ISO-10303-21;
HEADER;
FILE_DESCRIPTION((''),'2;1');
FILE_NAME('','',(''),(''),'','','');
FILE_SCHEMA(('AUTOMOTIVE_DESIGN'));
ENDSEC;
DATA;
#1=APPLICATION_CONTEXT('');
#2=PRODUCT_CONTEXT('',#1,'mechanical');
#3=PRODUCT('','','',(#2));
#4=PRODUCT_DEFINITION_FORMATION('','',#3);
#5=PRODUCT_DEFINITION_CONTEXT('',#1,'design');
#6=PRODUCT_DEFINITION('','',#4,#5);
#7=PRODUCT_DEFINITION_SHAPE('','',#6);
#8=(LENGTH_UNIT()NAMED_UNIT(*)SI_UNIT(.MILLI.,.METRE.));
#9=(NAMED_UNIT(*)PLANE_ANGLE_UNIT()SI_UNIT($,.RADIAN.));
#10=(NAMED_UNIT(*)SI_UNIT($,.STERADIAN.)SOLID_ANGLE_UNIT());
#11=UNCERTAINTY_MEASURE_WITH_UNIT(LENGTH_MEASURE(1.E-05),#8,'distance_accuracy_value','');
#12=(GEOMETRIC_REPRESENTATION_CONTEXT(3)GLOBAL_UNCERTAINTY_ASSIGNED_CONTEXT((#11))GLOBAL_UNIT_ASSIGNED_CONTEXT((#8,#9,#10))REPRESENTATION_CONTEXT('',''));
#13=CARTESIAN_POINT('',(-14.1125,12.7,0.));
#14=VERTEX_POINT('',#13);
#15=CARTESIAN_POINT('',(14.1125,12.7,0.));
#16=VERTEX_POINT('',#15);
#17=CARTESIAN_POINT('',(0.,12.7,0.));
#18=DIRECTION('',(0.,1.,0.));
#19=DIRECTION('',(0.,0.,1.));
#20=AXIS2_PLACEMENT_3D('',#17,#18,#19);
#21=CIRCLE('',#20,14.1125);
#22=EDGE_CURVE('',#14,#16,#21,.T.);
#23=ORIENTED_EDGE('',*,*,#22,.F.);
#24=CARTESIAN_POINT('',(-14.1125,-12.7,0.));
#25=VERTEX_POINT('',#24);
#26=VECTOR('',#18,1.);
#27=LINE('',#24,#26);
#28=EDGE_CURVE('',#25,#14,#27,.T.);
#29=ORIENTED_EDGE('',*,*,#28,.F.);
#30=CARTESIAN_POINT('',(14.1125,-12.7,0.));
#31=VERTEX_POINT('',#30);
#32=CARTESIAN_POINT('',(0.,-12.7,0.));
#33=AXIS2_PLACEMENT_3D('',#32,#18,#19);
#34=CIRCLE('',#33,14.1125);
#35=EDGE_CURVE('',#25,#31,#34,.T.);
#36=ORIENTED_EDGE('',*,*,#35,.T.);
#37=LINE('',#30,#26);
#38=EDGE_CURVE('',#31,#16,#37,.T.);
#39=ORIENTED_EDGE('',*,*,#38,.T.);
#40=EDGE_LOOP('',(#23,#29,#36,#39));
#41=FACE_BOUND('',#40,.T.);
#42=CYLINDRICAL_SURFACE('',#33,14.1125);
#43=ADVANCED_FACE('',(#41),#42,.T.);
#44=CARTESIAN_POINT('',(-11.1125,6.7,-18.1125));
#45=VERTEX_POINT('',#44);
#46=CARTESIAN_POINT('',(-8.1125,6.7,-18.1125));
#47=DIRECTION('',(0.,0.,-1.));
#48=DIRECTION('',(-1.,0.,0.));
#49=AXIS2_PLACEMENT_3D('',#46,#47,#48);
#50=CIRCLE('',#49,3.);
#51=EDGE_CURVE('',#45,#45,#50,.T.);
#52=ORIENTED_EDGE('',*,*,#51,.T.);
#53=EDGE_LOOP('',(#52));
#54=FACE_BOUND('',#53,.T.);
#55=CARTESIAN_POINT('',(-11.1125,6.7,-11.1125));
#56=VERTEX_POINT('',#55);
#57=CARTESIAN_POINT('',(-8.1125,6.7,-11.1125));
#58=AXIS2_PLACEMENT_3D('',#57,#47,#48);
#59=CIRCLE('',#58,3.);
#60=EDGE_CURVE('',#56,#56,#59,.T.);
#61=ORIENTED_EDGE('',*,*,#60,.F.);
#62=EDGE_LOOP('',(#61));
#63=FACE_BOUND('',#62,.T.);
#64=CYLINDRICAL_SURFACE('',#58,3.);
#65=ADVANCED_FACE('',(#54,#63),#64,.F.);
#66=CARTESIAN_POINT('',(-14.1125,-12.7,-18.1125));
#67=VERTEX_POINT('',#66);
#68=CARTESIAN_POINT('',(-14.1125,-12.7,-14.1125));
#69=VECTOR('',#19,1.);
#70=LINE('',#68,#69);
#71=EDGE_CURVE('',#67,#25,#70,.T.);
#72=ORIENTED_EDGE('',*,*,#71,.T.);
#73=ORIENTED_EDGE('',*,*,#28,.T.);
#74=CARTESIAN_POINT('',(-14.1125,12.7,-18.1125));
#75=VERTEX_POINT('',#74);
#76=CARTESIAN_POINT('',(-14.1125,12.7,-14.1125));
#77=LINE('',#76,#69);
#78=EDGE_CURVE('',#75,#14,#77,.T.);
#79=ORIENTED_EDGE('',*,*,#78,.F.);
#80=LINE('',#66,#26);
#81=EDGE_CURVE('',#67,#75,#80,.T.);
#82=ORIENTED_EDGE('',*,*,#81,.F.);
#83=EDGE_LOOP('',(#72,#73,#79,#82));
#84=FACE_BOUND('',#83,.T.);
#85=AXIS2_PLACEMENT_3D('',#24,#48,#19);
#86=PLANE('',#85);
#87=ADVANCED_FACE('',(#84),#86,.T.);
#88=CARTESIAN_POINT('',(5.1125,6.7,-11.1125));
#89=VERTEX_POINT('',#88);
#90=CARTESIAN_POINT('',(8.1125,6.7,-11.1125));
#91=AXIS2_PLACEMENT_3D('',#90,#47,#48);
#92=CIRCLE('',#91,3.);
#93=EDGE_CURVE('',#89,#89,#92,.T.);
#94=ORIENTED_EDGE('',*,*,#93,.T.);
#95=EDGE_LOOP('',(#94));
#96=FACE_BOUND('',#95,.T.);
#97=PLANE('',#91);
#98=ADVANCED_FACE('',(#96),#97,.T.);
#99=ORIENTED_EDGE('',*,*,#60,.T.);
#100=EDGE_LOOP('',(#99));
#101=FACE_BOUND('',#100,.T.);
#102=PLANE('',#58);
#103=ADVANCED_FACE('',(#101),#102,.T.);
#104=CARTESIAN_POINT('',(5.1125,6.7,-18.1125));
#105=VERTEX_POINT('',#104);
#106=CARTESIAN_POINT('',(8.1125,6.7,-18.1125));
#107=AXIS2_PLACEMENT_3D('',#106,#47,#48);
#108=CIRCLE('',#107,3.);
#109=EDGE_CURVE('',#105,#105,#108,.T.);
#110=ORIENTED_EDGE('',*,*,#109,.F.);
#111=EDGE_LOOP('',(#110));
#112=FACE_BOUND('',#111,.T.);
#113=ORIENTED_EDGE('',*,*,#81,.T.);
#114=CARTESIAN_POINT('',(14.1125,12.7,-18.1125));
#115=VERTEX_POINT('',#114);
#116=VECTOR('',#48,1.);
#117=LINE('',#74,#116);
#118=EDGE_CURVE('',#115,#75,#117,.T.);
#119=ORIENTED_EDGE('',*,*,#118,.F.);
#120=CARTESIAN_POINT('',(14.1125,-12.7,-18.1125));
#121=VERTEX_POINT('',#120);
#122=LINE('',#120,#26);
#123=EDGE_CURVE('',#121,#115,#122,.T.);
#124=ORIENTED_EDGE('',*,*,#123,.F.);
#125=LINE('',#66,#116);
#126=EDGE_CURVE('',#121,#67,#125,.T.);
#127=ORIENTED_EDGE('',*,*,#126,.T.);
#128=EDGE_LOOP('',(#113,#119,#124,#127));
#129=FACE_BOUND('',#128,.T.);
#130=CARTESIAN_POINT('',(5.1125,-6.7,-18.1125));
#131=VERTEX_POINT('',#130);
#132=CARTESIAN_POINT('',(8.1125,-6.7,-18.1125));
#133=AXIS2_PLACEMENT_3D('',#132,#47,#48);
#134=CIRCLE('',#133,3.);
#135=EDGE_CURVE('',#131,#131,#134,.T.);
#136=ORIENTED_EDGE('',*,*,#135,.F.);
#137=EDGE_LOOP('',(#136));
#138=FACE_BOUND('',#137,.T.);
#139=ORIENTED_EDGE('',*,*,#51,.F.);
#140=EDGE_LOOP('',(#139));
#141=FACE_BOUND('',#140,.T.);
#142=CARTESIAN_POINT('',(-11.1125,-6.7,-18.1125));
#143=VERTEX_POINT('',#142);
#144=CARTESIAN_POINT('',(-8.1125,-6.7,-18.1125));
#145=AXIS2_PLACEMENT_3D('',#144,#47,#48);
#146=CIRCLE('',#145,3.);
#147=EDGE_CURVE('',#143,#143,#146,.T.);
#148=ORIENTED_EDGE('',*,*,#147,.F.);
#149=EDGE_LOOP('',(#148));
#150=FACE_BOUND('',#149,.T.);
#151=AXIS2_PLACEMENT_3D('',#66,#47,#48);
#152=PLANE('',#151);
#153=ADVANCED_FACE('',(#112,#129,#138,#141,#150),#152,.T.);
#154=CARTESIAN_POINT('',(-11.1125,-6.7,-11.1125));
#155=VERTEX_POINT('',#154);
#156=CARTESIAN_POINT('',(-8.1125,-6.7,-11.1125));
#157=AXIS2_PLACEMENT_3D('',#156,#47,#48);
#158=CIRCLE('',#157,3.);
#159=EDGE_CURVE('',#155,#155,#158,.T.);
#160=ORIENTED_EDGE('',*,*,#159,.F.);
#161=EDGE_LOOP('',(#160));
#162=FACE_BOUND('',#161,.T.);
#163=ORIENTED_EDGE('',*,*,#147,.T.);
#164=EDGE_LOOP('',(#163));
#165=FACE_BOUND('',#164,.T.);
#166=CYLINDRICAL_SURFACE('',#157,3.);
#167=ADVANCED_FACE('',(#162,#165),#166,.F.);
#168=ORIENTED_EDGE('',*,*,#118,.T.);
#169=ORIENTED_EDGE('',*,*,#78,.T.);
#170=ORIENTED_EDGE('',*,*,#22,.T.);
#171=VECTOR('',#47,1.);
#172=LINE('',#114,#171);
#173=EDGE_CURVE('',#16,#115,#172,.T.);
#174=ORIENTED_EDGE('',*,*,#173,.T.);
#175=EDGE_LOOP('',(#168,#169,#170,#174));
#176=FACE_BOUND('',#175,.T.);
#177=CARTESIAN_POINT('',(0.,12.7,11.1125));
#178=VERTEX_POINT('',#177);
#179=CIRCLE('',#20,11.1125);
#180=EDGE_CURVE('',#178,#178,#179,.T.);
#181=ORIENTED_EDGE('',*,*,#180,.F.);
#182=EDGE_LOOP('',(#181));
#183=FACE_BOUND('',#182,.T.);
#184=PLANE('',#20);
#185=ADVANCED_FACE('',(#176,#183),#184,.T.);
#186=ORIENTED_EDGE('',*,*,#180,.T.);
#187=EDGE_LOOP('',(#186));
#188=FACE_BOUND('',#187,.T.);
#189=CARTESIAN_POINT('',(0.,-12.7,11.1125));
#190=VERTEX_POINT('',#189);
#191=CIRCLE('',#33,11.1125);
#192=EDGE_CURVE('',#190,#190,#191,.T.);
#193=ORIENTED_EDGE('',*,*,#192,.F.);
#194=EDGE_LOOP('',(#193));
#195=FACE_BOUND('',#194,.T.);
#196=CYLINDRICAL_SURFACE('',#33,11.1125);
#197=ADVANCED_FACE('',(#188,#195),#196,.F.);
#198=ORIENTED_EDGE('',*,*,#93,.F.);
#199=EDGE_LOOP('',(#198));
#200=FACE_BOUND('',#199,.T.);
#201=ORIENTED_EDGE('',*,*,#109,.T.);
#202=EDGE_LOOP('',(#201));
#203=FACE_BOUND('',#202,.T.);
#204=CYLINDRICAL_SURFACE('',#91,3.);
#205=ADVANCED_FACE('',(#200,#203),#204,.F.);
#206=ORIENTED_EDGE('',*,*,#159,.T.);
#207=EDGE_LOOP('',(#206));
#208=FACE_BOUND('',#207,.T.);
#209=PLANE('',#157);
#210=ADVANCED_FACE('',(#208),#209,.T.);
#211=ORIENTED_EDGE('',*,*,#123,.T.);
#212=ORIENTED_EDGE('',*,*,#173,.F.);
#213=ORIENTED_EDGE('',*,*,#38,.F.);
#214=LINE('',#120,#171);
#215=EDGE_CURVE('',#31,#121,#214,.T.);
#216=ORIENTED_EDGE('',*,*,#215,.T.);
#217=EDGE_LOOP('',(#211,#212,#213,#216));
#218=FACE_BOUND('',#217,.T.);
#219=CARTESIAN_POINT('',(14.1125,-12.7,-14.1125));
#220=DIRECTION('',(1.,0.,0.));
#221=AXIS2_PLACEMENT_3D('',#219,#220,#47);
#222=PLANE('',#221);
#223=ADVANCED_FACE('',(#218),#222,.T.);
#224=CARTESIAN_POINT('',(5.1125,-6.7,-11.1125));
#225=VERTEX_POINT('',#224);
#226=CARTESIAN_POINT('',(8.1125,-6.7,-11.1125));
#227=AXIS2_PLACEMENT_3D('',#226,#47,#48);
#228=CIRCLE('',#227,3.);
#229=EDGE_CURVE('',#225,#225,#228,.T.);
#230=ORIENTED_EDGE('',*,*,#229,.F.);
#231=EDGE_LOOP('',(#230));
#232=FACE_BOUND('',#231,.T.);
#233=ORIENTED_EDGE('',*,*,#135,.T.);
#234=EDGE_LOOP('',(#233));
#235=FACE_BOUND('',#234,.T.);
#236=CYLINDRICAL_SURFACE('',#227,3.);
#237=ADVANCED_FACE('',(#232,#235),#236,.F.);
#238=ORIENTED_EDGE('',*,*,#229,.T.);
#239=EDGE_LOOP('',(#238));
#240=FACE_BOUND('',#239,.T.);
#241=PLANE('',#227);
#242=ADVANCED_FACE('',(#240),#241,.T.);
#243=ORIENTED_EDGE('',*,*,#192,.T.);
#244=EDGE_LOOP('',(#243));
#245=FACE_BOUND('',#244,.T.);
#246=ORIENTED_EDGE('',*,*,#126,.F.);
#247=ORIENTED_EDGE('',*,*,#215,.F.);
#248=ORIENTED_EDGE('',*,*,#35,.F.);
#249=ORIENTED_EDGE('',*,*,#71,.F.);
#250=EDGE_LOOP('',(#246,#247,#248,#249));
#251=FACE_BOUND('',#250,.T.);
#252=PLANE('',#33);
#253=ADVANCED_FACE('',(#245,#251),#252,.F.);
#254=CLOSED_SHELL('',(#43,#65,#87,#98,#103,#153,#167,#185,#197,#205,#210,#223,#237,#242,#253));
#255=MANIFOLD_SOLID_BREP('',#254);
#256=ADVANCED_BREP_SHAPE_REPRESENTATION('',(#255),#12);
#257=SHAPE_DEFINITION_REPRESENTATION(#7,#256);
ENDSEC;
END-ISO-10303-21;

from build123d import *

# Parameters (mm, degrees)
BOSS_EXTRUDE1_DEPTH      = 12.7
BOSS_EXTRUDE1_DEPTH_BACK = 12.7
SKETCH1_R                = 11.1125
SKETCH2_R                = 3
CUT_EXTRUDE1_DEPTH       = 7


with BuildPart() as part:
    # Sketch1 → Boss-Extrude1 (new, two sides: drawn at the far end of the back side and taken through both)
    with BuildSketch(Plane(origin=(0, 0, 0), x_dir=(1, 0, 0), z_dir=(0, 1, 0)).offset(-BOSS_EXTRUDE1_DEPTH_BACK)):
        with BuildLine():
            Line((-14.1125, 0), (-14.1125, 14.1125))
            Line((-14.1125, 14.1125), (-14.1125, 18.1125))
            Line((-14.1125, 18.1125), (14.1125, 18.1125))
            Line((14.1125, 18.1125), (14.1125, 14.1125))
            Line((14.1125, 14.1125), (14.1125, 0))
            ThreePointArc((14.1125, 0), (0, -14.1125), (-14.1125, 0))
        make_face()
        Circle(SKETCH1_R, mode=Mode.SUBTRACT)
    extrude(amount=BOSS_EXTRUDE1_DEPTH + BOSS_EXTRUDE1_DEPTH_BACK)

    # Sketch2 → Cut-Extrude1 (cut)
    with BuildSketch(Plane(origin=(0, 0, -18.1125), x_dir=(-1, 0, 0), z_dir=(0, 0, -1))):
        with Locations((8.1125, -6.7)):
            Circle(SKETCH2_R)
        with Locations((-8.1125, -6.7)):
            Circle(SKETCH2_R)
        with Locations((-8.1125, 6.7)):
            Circle(SKETCH2_R)
        with Locations((8.1125, 6.7)):
            Circle(SKETCH2_R)
    extrude(amount=-CUT_EXTRUDE1_DEPTH, mode=Mode.SUBTRACT)


solid = part.part
